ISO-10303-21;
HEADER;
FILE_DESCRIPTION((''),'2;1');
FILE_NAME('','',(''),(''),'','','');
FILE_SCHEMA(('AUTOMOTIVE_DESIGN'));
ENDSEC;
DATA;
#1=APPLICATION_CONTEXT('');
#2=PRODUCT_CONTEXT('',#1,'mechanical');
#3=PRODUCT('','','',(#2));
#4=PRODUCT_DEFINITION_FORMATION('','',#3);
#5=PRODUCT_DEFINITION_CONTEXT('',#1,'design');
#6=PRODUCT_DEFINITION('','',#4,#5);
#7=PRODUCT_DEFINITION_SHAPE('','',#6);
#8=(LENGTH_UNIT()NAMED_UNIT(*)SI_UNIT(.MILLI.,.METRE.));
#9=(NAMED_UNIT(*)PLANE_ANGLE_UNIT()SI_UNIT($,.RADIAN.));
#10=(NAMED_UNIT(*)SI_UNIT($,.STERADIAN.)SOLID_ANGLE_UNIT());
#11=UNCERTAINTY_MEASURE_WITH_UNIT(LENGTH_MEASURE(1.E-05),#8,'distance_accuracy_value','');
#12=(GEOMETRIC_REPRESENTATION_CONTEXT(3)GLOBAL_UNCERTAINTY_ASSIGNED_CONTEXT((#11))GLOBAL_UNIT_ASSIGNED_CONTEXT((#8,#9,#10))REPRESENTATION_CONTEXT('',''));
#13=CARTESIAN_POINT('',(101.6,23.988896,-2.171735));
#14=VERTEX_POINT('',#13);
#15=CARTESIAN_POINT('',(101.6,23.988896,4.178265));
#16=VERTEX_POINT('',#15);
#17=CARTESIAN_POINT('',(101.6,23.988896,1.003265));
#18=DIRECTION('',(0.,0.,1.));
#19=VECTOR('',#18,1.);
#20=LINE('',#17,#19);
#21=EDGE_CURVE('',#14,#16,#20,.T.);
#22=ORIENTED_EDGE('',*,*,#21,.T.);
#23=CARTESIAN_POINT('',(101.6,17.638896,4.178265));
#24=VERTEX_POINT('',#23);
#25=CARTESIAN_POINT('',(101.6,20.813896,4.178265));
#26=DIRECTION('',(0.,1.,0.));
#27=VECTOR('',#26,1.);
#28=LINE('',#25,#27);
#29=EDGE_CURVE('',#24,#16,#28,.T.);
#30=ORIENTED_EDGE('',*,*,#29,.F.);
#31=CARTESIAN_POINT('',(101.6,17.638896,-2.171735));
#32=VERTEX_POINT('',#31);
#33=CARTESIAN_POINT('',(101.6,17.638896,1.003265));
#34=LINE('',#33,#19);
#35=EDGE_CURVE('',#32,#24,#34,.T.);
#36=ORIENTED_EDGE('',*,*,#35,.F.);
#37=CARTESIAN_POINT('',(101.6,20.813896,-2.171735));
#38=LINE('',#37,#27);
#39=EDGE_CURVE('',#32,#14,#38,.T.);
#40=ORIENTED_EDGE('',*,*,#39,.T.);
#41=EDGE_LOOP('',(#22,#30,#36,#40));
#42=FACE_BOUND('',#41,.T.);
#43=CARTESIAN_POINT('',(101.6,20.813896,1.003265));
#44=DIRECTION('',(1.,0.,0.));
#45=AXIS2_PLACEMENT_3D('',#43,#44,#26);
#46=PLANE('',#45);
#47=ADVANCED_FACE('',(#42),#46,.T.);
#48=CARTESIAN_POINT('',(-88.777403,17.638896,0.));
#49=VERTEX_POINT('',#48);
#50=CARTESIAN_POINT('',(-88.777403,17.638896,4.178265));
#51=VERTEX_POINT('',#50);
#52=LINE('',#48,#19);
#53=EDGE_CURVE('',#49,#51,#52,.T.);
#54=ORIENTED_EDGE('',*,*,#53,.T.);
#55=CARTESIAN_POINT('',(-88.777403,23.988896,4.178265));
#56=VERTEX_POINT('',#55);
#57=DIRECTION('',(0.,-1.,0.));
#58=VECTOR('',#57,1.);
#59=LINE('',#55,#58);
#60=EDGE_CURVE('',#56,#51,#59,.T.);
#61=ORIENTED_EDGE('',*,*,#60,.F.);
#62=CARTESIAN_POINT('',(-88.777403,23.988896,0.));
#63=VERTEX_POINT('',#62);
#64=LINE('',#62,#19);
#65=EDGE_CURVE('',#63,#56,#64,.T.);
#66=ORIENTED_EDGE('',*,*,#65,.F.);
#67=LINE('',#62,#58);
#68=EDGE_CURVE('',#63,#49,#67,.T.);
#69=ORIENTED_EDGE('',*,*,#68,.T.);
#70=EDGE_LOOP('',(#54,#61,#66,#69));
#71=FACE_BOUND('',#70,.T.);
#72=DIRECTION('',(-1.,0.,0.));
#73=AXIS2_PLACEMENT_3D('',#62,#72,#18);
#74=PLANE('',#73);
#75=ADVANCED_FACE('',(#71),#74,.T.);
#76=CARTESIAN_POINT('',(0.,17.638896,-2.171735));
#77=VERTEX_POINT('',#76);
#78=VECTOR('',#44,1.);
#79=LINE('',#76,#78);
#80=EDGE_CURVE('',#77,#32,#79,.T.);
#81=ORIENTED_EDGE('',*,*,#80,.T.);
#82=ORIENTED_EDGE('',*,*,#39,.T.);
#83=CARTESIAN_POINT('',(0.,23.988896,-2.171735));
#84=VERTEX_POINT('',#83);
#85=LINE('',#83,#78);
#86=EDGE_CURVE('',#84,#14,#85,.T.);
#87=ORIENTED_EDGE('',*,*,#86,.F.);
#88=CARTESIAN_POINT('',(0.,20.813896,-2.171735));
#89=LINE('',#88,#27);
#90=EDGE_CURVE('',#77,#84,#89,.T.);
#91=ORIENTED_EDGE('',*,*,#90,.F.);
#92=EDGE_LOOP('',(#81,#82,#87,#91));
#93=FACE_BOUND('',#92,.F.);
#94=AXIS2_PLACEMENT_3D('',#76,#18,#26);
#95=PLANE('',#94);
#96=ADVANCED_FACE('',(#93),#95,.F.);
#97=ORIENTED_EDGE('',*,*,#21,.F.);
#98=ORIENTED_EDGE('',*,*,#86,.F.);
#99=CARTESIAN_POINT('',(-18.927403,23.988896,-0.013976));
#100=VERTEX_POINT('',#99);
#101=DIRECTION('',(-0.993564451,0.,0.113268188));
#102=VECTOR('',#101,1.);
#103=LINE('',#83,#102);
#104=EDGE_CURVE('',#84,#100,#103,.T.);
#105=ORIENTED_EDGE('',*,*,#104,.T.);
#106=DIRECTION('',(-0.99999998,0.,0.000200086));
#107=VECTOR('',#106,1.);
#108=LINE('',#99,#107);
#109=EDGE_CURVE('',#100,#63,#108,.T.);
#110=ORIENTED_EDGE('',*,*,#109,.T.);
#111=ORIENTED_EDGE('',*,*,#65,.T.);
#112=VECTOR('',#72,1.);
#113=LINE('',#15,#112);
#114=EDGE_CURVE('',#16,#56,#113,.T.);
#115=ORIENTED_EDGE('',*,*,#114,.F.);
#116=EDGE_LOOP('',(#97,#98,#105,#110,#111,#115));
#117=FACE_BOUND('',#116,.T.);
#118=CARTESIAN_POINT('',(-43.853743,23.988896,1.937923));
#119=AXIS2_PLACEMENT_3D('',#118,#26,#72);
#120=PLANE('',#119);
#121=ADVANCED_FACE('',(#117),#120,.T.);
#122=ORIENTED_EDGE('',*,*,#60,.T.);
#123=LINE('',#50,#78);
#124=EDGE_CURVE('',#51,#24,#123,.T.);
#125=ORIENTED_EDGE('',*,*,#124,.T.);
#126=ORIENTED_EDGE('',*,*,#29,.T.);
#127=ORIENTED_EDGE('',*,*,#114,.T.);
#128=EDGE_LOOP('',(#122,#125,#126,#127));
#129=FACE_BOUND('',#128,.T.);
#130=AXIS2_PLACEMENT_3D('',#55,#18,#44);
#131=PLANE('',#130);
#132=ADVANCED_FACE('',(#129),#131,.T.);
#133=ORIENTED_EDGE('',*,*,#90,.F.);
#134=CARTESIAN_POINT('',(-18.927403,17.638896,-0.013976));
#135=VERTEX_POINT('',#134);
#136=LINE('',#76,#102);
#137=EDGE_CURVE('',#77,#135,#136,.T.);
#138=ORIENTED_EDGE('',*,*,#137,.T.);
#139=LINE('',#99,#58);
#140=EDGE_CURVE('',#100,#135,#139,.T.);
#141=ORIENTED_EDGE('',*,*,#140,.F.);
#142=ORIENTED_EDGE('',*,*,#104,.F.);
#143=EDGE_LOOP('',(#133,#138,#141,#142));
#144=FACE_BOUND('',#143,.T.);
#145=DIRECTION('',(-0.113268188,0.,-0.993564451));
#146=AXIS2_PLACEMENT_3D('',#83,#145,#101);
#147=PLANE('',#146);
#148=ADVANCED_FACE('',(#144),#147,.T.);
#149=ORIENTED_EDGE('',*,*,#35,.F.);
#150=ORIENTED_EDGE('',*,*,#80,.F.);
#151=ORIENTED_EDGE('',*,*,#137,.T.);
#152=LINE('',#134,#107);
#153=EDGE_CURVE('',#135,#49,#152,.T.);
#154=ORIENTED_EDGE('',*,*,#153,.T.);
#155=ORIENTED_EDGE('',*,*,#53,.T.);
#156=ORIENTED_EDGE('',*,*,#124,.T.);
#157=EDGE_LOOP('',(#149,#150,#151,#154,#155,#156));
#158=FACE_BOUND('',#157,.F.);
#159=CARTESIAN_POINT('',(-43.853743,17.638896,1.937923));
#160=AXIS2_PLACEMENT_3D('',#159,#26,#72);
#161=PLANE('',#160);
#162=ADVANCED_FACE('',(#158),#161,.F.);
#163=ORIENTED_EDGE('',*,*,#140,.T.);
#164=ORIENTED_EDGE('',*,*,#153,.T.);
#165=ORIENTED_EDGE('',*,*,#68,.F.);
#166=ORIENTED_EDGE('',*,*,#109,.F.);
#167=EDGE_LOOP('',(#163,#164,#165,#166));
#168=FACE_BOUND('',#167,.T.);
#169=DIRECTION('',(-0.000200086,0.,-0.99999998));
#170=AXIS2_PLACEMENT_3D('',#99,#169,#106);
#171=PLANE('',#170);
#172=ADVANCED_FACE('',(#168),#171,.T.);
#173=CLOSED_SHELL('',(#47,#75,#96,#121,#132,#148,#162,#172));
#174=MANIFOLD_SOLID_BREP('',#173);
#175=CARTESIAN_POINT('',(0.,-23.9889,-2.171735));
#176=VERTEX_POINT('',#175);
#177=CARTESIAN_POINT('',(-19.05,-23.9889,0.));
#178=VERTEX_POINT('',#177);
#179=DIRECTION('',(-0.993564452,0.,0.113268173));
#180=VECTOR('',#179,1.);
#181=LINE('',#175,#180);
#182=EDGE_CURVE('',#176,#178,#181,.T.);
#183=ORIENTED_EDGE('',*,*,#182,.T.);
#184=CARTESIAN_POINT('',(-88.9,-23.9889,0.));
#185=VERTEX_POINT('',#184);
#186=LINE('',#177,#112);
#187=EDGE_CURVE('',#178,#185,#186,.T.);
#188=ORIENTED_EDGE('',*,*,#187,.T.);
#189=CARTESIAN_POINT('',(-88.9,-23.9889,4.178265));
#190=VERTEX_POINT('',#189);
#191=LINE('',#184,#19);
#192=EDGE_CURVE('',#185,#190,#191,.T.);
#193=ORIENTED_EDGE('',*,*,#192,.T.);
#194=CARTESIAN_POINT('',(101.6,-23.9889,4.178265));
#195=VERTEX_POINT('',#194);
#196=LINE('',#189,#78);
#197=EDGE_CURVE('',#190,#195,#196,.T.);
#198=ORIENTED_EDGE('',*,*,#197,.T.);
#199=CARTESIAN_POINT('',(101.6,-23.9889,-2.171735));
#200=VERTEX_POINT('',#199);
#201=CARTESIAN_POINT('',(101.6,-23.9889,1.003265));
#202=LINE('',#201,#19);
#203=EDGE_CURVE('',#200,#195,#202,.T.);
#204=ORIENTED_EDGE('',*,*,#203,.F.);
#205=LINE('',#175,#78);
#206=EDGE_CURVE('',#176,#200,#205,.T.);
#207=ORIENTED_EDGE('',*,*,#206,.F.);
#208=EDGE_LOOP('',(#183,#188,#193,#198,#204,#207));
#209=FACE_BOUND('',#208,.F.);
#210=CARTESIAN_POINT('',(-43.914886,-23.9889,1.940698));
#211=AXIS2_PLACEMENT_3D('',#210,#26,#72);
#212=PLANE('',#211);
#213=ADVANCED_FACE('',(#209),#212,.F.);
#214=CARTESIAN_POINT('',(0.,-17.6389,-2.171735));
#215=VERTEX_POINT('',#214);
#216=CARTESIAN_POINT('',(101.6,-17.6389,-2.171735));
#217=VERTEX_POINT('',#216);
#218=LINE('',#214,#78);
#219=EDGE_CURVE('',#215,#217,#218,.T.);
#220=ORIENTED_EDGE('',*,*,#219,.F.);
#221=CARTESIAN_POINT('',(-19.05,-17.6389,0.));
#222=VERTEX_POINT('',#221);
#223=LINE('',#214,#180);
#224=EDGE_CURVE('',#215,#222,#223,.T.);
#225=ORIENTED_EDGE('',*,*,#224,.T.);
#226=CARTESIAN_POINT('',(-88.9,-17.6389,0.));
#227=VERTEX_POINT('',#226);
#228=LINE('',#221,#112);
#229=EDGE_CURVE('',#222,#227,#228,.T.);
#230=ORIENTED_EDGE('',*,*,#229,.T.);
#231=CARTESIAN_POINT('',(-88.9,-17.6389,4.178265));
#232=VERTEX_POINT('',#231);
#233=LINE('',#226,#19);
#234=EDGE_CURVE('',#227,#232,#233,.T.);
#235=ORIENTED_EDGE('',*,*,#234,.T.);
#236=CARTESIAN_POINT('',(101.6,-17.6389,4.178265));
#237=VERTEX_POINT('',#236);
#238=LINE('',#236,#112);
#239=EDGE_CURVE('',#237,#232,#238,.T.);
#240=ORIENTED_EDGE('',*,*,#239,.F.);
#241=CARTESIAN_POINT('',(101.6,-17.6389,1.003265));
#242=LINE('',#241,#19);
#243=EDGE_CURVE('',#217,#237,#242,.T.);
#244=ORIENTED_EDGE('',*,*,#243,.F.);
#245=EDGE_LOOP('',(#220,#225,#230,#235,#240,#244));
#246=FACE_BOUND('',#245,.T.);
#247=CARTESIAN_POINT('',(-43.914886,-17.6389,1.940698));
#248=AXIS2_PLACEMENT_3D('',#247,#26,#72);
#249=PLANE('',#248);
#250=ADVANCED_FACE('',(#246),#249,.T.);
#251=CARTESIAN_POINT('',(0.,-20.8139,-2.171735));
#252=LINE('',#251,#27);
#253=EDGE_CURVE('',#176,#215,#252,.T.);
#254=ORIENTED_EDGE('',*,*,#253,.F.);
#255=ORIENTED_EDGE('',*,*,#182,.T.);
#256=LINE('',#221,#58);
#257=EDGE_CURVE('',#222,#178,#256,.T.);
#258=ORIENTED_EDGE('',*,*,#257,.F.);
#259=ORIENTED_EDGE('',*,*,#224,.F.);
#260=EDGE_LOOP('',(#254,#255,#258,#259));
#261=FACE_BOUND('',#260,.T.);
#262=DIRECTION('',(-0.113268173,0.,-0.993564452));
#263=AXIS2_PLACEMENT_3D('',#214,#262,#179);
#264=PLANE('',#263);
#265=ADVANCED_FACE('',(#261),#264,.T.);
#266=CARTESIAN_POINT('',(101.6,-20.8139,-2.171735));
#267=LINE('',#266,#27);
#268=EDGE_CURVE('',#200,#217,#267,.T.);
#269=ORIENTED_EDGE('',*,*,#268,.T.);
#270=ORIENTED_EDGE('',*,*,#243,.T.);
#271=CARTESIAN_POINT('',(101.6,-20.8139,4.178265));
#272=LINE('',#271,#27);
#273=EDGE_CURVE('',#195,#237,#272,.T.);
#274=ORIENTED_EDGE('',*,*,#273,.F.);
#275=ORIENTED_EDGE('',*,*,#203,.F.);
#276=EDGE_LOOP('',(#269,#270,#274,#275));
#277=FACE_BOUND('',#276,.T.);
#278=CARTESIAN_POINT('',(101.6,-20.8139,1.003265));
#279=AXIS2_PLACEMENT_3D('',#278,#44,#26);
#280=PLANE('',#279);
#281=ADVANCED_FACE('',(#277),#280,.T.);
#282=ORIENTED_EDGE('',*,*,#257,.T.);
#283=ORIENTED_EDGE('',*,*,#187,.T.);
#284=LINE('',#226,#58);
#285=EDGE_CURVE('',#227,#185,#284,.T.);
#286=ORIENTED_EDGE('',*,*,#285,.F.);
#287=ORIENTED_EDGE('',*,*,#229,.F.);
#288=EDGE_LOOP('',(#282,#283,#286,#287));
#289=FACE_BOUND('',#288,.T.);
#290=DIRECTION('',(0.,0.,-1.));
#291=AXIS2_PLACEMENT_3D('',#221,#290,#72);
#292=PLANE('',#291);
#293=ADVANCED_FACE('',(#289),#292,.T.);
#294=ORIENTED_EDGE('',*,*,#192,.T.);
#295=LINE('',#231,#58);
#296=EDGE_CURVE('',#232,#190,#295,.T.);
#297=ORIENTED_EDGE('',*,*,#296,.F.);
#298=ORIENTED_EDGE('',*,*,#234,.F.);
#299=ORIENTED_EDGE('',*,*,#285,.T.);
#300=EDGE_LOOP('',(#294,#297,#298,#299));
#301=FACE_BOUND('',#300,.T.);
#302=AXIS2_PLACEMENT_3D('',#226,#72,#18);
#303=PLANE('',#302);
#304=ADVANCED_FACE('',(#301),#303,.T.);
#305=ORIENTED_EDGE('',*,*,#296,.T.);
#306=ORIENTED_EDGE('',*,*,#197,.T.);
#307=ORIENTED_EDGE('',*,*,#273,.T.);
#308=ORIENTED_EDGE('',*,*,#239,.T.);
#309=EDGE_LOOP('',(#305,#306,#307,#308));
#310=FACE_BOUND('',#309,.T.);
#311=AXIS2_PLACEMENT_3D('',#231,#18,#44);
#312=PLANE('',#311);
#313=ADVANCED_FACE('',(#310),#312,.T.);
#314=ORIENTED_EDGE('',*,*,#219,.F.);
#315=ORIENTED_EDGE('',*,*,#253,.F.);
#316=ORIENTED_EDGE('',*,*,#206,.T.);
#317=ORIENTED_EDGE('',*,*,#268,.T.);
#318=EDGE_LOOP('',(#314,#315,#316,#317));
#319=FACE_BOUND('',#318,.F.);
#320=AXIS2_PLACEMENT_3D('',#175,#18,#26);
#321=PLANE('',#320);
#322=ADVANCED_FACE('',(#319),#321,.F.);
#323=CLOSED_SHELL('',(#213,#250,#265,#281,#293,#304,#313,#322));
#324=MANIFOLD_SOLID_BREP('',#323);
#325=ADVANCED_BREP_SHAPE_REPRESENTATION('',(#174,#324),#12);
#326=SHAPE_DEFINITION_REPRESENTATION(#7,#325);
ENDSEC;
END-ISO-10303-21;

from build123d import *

# Parameters (mm, degrees)
F0_W     = 6.35
F0_H     = 6.35
F1_DEPTH = 101.6
F3_DEPTH = 6.35
F5_DEPTH = 6.35


with BuildPart() as f1:
    # F0 (on Right) → F1 (new body)
    with BuildSketch(Plane.YZ):
        with Locations((-20.8139, 1.003265)):
            Rectangle(F0_W, F0_H)
        with Locations((20.813896, 1.003265)):
            Rectangle(F0_W, F0_H)
    extrude(amount=F1_DEPTH)

    # F2 (on face) → F3 (join)
    with BuildSketch(Plane(origin=(0, -17.6389, 0), x_dir=(-1, 0, 0), z_dir=(0, 1, 0))):
        Polygon((88.9, 4.178265), (0, 4.178265), (0, -2.171735), (19.05, 0), (88.9, 0), align=None)
    extrude(amount=-F3_DEPTH)

    # F4 (on face) → F5 (join)
    with BuildSketch(Plane(origin=(0, 23.988896, 0), x_dir=(-1, 0, 0), z_dir=(0, 1, 0))):
        Polygon((88.777403, 4.178265), (0, 4.178265), (0, -2.171735), (18.927403, -0.013976), (88.777403, 0), align=None)
    extrude(amount=-F5_DEPTH)


solid = f1.part
